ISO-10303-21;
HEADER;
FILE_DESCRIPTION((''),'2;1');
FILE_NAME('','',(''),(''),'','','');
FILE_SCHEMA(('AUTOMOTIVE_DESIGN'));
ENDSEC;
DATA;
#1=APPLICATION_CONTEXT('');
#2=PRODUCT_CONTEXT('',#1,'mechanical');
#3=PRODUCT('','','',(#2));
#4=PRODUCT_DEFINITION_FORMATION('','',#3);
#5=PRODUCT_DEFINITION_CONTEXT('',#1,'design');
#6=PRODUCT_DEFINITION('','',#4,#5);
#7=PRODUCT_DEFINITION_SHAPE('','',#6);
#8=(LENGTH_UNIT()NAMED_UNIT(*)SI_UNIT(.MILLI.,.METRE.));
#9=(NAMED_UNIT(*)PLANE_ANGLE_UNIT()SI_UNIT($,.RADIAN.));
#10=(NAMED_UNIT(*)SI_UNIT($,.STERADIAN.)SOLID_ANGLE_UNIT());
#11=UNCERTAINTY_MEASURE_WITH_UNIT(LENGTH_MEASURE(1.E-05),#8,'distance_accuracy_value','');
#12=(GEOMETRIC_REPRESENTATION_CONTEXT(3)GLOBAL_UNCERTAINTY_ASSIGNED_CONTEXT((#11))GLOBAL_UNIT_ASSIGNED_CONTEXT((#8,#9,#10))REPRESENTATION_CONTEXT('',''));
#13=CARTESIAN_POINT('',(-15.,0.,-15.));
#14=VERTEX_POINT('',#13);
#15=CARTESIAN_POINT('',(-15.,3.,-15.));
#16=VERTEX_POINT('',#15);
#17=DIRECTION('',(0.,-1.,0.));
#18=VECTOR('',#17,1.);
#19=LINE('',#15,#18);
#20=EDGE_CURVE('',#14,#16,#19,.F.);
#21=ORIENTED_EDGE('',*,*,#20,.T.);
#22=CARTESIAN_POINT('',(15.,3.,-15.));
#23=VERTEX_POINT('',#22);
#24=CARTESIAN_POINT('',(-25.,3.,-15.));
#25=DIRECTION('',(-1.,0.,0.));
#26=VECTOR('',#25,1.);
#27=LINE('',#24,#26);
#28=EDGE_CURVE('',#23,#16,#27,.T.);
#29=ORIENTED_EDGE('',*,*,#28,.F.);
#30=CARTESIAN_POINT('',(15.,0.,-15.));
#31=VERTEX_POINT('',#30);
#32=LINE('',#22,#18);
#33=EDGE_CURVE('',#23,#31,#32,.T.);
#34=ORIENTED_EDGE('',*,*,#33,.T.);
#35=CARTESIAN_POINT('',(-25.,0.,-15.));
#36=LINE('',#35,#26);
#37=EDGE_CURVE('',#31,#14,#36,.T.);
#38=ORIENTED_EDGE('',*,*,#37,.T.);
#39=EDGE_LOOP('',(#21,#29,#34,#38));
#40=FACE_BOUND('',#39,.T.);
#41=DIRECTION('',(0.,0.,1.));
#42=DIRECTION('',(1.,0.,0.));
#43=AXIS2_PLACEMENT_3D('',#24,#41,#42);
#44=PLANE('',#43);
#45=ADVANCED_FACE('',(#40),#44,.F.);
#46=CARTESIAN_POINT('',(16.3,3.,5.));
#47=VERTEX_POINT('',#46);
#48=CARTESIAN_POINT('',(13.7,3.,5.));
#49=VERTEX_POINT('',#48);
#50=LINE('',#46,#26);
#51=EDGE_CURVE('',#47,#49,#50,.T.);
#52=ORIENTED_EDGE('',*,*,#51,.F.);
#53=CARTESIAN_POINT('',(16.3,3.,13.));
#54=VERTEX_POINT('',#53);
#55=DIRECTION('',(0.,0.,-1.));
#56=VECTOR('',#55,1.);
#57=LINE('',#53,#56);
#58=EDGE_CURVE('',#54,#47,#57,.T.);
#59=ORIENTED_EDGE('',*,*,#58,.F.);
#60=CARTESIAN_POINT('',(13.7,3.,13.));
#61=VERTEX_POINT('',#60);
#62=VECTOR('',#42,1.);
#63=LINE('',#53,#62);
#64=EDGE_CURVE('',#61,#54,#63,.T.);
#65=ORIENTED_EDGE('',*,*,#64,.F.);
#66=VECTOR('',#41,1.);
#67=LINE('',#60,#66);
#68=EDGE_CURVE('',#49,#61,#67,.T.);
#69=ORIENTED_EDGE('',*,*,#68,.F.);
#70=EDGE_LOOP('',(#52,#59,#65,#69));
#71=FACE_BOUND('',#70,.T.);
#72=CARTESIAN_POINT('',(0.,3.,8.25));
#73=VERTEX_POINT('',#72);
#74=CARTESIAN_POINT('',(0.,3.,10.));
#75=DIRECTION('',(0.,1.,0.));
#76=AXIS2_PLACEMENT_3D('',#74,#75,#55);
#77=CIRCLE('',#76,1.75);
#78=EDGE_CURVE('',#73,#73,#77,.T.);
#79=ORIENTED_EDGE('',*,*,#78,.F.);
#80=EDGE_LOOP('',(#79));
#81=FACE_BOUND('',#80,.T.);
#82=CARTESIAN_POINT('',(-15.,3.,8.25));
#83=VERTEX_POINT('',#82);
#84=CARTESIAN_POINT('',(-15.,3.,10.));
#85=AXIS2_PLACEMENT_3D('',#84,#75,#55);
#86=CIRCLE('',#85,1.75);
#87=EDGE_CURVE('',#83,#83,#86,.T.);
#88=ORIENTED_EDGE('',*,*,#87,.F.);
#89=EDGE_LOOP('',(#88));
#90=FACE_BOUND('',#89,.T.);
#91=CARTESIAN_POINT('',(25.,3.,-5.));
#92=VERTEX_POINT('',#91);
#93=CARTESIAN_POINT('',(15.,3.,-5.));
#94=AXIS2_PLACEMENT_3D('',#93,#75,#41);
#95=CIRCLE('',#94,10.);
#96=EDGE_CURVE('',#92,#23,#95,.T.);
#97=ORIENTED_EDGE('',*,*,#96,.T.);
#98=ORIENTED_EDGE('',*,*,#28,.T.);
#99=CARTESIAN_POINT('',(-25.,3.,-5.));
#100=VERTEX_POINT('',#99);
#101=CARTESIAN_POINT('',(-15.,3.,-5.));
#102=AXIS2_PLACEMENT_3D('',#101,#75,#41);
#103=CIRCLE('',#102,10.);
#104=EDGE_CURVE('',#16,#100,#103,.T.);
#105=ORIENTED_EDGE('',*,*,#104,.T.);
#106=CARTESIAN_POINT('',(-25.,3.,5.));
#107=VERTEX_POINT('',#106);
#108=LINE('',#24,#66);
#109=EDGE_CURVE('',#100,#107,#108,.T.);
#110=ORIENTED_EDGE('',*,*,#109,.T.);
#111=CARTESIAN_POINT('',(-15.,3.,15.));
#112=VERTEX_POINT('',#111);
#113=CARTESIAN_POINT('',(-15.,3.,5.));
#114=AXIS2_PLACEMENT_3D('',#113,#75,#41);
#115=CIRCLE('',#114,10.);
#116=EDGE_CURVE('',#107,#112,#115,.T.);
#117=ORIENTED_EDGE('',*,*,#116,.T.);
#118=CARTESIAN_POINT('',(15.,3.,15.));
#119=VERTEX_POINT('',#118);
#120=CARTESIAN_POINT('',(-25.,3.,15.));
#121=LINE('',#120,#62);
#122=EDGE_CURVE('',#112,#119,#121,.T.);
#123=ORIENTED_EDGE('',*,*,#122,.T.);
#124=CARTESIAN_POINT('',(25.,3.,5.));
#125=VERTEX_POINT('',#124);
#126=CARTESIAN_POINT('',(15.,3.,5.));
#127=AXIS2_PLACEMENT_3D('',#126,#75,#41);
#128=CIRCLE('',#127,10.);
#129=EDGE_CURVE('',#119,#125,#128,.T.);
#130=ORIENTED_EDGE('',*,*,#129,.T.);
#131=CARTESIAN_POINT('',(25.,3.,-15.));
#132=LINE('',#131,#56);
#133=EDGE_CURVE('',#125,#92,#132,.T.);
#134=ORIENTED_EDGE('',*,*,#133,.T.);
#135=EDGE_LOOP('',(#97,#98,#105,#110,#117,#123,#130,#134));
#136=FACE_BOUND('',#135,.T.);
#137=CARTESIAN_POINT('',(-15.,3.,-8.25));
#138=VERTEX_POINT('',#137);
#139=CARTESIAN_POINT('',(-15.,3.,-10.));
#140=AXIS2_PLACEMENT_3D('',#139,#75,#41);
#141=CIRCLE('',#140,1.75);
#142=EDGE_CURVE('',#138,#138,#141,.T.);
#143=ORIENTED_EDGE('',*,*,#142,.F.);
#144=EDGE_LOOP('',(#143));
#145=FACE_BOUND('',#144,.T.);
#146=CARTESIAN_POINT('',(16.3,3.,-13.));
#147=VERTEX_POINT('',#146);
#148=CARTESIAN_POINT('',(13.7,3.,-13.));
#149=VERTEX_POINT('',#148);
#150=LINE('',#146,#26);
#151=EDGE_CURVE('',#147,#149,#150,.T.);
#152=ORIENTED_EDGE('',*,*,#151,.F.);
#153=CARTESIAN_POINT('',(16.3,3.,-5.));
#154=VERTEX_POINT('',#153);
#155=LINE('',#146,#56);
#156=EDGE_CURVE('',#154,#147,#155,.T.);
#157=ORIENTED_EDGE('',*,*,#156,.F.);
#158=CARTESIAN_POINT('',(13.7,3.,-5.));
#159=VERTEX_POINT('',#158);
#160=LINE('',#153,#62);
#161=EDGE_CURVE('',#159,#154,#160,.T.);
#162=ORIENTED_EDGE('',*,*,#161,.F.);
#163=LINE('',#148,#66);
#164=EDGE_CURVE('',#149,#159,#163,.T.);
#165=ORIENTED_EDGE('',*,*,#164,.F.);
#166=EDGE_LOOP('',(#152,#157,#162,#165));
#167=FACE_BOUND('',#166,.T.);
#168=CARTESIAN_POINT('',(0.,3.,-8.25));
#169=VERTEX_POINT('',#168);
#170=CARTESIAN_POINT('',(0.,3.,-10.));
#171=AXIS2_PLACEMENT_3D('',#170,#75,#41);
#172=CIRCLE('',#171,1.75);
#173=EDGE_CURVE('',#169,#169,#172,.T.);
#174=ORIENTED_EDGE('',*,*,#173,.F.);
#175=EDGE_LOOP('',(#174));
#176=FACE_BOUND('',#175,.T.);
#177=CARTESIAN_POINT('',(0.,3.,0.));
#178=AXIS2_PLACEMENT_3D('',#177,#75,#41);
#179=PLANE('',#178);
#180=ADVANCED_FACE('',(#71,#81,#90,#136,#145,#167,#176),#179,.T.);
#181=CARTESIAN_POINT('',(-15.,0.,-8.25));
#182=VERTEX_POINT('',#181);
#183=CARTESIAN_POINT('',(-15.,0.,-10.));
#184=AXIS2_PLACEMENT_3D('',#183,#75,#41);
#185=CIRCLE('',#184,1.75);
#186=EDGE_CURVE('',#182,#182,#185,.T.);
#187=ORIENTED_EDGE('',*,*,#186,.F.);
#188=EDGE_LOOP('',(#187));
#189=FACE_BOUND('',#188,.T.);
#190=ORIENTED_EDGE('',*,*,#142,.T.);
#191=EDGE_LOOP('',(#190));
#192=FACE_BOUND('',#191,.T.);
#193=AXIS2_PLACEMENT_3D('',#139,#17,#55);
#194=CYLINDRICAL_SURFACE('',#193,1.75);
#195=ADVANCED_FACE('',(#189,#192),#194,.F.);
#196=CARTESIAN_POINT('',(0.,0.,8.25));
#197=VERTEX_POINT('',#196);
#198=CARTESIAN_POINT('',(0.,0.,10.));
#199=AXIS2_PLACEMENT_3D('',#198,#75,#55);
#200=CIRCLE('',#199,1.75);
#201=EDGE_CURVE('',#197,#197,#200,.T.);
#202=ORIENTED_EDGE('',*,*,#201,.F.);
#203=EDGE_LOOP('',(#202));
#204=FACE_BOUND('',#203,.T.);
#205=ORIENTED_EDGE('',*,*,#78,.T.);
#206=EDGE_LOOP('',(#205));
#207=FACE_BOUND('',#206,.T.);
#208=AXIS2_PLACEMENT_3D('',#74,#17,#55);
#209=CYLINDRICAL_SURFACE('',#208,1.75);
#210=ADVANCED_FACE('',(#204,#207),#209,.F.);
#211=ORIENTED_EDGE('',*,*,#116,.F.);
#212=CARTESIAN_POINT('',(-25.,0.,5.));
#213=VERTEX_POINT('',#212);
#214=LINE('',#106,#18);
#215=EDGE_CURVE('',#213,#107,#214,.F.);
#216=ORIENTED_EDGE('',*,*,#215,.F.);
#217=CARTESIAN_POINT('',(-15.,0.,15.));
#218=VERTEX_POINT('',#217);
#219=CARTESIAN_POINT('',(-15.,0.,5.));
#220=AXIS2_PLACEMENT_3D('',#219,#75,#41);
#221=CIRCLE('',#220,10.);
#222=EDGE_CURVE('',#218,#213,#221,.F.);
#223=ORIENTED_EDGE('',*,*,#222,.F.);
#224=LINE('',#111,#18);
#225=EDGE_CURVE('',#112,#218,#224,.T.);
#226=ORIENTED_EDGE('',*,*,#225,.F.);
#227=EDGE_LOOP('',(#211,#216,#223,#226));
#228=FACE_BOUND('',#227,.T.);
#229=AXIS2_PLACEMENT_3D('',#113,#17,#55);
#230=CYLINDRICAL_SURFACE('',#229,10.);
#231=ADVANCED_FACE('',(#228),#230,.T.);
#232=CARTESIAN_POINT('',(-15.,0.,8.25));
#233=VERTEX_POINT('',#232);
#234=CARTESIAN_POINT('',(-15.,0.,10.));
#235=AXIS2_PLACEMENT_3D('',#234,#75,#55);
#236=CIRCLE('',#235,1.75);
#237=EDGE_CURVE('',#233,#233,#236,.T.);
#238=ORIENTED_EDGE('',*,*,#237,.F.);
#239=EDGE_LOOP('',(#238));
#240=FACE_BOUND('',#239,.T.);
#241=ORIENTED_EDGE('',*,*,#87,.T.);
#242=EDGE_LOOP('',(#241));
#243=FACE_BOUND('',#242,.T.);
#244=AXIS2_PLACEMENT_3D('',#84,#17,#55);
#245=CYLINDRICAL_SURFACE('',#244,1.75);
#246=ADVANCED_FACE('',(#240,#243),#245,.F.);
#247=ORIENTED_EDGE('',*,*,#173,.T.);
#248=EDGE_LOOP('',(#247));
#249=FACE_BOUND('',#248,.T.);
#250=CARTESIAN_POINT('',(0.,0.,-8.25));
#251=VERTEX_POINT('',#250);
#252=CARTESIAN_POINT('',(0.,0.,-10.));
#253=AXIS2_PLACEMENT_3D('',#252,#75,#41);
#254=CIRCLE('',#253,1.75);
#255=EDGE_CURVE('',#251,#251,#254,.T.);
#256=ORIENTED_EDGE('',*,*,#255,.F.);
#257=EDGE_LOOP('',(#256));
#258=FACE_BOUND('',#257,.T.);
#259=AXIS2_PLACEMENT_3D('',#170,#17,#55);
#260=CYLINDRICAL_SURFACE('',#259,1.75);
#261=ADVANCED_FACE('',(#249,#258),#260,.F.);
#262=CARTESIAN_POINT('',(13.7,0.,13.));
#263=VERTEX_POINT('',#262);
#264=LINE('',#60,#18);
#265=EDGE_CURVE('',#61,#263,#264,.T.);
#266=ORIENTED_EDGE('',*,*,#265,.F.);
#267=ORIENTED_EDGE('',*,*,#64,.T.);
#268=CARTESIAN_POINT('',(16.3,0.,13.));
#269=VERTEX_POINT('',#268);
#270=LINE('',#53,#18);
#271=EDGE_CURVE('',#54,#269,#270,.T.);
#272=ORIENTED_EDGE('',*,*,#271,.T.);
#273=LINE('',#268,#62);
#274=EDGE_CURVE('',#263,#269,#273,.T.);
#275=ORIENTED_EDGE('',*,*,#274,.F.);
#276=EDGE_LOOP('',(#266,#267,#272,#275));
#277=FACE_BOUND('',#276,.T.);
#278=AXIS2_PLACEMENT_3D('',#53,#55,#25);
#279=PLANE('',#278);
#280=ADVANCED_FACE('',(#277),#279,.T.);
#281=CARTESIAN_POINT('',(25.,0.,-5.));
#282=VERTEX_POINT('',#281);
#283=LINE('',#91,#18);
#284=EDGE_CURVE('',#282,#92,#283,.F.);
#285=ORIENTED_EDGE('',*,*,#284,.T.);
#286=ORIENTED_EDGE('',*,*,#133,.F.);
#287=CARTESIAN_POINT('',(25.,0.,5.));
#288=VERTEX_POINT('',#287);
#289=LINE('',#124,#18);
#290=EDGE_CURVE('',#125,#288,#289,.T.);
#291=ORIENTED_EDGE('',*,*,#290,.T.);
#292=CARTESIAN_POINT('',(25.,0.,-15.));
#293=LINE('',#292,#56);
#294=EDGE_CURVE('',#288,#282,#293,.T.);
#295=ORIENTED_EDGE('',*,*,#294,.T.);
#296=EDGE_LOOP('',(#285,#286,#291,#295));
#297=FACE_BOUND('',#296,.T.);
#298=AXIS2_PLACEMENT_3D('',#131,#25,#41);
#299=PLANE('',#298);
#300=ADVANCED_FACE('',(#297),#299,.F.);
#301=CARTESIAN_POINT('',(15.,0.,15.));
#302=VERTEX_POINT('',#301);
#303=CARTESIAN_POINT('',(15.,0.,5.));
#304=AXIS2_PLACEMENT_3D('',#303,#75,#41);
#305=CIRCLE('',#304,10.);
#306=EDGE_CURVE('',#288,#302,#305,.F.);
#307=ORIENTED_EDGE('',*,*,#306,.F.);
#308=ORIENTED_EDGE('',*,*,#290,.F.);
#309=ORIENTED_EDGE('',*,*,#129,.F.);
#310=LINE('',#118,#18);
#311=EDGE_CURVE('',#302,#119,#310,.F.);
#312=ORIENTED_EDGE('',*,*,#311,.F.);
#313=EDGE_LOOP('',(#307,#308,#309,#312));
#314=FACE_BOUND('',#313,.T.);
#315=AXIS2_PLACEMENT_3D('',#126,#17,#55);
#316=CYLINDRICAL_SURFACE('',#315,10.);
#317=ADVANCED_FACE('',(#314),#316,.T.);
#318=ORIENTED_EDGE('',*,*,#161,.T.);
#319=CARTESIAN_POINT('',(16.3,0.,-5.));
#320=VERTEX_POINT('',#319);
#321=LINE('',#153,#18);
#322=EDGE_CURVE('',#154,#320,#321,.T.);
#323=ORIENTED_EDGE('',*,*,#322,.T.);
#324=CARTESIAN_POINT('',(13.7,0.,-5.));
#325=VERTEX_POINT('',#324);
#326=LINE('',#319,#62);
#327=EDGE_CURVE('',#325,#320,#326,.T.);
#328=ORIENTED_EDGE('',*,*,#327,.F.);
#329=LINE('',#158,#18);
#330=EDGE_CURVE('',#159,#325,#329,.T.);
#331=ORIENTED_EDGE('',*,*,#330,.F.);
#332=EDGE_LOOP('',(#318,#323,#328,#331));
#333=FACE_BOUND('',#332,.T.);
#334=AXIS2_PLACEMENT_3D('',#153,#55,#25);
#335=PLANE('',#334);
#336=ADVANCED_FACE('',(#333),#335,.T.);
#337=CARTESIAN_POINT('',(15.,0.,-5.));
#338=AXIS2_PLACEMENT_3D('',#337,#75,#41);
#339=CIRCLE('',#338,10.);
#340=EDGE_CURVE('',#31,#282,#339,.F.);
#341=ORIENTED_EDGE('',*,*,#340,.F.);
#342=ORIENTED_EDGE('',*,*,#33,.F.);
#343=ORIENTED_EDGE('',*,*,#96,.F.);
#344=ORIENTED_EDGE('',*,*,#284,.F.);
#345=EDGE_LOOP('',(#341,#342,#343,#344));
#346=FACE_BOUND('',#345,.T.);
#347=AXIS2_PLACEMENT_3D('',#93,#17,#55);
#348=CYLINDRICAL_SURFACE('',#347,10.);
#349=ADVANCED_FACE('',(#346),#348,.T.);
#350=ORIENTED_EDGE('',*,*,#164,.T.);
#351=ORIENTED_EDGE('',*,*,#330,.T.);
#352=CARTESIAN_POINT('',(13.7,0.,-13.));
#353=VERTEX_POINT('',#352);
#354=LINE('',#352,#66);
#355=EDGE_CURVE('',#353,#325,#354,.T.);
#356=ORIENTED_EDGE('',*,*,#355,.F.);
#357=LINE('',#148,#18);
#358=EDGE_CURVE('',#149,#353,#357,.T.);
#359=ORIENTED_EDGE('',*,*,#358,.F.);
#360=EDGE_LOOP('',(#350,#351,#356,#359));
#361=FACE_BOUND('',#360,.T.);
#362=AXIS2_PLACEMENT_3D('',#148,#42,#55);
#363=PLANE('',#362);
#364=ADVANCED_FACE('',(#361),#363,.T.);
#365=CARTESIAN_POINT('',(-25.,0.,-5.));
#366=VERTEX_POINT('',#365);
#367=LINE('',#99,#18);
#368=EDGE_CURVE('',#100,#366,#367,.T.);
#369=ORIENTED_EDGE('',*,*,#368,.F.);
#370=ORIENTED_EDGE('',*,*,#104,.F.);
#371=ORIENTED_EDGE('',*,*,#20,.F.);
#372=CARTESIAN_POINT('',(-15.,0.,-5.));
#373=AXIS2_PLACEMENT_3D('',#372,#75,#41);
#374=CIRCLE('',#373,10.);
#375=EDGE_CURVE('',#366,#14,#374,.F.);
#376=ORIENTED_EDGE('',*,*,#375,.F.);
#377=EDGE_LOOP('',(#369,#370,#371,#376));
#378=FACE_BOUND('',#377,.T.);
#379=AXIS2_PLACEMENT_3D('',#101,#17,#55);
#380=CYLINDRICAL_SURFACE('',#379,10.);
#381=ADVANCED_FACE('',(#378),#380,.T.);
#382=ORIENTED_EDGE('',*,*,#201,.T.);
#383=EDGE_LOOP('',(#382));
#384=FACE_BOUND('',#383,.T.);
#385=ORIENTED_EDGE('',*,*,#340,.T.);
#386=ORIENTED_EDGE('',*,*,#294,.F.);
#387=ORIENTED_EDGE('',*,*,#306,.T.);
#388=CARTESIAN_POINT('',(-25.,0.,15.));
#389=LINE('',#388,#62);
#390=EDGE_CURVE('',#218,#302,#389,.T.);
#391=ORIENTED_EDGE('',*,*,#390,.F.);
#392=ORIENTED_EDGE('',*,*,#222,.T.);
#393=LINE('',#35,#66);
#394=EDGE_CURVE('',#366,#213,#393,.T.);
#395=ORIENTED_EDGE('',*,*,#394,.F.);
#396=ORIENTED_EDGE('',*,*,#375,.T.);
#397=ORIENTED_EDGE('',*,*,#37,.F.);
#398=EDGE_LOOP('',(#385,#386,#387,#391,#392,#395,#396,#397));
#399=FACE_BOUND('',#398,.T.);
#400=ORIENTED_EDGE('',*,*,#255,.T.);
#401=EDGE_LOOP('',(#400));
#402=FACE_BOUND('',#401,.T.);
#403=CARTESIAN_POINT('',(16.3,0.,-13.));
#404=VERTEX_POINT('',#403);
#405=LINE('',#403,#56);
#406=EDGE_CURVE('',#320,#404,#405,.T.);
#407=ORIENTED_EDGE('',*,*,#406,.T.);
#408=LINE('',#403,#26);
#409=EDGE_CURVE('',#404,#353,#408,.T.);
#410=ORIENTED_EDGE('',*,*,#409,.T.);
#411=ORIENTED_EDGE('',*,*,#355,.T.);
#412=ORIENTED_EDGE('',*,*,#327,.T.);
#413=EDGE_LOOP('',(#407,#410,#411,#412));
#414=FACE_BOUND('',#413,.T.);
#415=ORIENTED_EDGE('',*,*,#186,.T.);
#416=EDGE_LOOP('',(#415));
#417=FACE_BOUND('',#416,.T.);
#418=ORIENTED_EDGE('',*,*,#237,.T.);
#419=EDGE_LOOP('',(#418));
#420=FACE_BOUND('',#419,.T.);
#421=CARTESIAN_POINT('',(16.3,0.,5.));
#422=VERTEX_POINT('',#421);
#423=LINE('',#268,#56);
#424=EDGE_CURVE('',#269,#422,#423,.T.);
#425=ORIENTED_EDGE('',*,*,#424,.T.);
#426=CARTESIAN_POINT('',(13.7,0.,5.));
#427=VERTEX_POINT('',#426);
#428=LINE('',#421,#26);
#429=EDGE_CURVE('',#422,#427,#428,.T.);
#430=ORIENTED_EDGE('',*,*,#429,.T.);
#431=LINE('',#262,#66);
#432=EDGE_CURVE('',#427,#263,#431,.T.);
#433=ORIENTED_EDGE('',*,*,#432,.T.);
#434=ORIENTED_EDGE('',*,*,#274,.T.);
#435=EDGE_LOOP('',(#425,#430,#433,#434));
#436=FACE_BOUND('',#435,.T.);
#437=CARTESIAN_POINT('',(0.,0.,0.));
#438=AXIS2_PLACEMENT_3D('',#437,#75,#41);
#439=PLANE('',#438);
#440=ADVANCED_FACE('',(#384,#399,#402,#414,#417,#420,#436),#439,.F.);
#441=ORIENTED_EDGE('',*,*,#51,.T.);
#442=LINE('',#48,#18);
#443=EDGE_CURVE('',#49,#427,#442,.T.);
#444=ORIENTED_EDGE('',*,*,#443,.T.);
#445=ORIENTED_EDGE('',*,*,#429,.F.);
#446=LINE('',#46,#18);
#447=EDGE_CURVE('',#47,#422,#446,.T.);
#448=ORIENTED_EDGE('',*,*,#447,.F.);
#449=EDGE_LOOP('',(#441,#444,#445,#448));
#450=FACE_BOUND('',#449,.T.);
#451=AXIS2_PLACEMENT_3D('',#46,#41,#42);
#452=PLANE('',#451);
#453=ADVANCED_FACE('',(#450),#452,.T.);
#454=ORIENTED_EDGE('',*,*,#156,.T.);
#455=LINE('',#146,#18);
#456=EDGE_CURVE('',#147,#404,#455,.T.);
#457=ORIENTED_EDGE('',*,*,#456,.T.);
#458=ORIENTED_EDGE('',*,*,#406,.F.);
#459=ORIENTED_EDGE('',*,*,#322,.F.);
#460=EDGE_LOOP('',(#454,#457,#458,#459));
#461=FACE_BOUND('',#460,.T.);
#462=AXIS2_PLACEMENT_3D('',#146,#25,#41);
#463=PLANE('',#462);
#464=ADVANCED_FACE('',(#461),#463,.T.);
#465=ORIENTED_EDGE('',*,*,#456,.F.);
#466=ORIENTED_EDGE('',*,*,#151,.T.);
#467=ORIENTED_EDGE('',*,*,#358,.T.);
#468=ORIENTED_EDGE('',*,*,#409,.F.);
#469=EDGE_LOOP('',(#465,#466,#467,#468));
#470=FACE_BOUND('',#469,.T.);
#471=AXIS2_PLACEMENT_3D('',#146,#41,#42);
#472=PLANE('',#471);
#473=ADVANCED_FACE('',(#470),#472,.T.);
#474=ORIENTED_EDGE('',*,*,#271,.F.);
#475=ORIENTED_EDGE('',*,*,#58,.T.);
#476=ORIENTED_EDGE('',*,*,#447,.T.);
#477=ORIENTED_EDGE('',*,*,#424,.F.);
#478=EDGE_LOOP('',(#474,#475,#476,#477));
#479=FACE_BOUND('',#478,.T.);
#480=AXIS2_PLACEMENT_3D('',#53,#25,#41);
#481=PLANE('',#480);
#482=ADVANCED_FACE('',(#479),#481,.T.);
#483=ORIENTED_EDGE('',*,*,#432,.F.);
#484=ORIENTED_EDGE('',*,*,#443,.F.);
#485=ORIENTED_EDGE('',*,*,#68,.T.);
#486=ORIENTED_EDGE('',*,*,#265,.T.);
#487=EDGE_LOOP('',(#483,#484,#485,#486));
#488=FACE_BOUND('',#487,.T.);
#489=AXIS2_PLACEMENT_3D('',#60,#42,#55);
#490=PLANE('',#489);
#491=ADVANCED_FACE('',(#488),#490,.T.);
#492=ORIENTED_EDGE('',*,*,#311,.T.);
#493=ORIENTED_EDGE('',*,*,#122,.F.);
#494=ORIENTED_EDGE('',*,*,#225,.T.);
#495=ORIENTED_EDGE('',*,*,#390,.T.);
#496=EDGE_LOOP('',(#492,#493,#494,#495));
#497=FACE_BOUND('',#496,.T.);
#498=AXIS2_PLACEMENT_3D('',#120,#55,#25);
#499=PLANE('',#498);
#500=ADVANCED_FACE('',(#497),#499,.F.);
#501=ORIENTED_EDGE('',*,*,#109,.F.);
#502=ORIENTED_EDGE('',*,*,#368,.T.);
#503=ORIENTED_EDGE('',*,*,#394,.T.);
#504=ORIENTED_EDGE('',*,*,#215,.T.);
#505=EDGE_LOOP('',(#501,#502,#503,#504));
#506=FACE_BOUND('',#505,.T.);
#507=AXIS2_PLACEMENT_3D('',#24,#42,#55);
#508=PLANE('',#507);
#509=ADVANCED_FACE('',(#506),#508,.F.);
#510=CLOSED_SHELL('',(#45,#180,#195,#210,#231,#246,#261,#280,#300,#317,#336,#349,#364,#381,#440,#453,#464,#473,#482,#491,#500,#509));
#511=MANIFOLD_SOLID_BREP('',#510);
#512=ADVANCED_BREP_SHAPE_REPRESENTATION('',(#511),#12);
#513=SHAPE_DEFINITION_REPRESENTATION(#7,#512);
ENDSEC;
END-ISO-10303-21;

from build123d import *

# Parameters (mm, degrees)
SKETCH1_W           = 50
SKETCH1_H           = 30
SKETCH1_R           = 1.75
SKETCH1_W_2         = 2.6
SKETCH1_H_2         = 8
BOSS_EXTRUDE2_DEPTH = 3
FILLET1_R           = 10


with BuildPart() as part:
    # Sketch1 → Boss-Extrude2 (new body)
    with BuildSketch(Plane(origin=(0, 0, 0), x_dir=(1, 0, 0), z_dir=(0, 1, 0))):
        Rectangle(SKETCH1_W, SKETCH1_H)
        with Locations(Location((-15, 10, 0), (0, 0, 270))):
            Circle(SKETCH1_R, mode=Mode.SUBTRACT)
        with Locations(Location((0, 10, 0), (0, 0, 270))):
            Circle(SKETCH1_R, mode=Mode.SUBTRACT)
        with Locations(Location((-15, -10, 0), (0, 0, 90))):
            Circle(SKETCH1_R, mode=Mode.SUBTRACT)
        with Locations(Location((0, -10, 0), (0, 0, 90))):
            Circle(SKETCH1_R, mode=Mode.SUBTRACT)
        with Locations((15, -9)):
            Rectangle(SKETCH1_W_2, SKETCH1_H_2, mode=Mode.SUBTRACT)
        with Locations((15, 9)):
            Rectangle(SKETCH1_W_2, SKETCH1_H_2, mode=Mode.SUBTRACT)
    extrude(amount=BOSS_EXTRUDE2_DEPTH)

    # Fillet1
    fillet1_edges = [part.edges().sort_by_distance(p)[0] for p in [
        (-25, 1.5, -15),
        (25, 1.5, -15),
        (25, 1.5, 15),
        (-25, 1.5, 15),
    ]]
    fillet(fillet1_edges, radius=FILLET1_R)


solid = part.part
